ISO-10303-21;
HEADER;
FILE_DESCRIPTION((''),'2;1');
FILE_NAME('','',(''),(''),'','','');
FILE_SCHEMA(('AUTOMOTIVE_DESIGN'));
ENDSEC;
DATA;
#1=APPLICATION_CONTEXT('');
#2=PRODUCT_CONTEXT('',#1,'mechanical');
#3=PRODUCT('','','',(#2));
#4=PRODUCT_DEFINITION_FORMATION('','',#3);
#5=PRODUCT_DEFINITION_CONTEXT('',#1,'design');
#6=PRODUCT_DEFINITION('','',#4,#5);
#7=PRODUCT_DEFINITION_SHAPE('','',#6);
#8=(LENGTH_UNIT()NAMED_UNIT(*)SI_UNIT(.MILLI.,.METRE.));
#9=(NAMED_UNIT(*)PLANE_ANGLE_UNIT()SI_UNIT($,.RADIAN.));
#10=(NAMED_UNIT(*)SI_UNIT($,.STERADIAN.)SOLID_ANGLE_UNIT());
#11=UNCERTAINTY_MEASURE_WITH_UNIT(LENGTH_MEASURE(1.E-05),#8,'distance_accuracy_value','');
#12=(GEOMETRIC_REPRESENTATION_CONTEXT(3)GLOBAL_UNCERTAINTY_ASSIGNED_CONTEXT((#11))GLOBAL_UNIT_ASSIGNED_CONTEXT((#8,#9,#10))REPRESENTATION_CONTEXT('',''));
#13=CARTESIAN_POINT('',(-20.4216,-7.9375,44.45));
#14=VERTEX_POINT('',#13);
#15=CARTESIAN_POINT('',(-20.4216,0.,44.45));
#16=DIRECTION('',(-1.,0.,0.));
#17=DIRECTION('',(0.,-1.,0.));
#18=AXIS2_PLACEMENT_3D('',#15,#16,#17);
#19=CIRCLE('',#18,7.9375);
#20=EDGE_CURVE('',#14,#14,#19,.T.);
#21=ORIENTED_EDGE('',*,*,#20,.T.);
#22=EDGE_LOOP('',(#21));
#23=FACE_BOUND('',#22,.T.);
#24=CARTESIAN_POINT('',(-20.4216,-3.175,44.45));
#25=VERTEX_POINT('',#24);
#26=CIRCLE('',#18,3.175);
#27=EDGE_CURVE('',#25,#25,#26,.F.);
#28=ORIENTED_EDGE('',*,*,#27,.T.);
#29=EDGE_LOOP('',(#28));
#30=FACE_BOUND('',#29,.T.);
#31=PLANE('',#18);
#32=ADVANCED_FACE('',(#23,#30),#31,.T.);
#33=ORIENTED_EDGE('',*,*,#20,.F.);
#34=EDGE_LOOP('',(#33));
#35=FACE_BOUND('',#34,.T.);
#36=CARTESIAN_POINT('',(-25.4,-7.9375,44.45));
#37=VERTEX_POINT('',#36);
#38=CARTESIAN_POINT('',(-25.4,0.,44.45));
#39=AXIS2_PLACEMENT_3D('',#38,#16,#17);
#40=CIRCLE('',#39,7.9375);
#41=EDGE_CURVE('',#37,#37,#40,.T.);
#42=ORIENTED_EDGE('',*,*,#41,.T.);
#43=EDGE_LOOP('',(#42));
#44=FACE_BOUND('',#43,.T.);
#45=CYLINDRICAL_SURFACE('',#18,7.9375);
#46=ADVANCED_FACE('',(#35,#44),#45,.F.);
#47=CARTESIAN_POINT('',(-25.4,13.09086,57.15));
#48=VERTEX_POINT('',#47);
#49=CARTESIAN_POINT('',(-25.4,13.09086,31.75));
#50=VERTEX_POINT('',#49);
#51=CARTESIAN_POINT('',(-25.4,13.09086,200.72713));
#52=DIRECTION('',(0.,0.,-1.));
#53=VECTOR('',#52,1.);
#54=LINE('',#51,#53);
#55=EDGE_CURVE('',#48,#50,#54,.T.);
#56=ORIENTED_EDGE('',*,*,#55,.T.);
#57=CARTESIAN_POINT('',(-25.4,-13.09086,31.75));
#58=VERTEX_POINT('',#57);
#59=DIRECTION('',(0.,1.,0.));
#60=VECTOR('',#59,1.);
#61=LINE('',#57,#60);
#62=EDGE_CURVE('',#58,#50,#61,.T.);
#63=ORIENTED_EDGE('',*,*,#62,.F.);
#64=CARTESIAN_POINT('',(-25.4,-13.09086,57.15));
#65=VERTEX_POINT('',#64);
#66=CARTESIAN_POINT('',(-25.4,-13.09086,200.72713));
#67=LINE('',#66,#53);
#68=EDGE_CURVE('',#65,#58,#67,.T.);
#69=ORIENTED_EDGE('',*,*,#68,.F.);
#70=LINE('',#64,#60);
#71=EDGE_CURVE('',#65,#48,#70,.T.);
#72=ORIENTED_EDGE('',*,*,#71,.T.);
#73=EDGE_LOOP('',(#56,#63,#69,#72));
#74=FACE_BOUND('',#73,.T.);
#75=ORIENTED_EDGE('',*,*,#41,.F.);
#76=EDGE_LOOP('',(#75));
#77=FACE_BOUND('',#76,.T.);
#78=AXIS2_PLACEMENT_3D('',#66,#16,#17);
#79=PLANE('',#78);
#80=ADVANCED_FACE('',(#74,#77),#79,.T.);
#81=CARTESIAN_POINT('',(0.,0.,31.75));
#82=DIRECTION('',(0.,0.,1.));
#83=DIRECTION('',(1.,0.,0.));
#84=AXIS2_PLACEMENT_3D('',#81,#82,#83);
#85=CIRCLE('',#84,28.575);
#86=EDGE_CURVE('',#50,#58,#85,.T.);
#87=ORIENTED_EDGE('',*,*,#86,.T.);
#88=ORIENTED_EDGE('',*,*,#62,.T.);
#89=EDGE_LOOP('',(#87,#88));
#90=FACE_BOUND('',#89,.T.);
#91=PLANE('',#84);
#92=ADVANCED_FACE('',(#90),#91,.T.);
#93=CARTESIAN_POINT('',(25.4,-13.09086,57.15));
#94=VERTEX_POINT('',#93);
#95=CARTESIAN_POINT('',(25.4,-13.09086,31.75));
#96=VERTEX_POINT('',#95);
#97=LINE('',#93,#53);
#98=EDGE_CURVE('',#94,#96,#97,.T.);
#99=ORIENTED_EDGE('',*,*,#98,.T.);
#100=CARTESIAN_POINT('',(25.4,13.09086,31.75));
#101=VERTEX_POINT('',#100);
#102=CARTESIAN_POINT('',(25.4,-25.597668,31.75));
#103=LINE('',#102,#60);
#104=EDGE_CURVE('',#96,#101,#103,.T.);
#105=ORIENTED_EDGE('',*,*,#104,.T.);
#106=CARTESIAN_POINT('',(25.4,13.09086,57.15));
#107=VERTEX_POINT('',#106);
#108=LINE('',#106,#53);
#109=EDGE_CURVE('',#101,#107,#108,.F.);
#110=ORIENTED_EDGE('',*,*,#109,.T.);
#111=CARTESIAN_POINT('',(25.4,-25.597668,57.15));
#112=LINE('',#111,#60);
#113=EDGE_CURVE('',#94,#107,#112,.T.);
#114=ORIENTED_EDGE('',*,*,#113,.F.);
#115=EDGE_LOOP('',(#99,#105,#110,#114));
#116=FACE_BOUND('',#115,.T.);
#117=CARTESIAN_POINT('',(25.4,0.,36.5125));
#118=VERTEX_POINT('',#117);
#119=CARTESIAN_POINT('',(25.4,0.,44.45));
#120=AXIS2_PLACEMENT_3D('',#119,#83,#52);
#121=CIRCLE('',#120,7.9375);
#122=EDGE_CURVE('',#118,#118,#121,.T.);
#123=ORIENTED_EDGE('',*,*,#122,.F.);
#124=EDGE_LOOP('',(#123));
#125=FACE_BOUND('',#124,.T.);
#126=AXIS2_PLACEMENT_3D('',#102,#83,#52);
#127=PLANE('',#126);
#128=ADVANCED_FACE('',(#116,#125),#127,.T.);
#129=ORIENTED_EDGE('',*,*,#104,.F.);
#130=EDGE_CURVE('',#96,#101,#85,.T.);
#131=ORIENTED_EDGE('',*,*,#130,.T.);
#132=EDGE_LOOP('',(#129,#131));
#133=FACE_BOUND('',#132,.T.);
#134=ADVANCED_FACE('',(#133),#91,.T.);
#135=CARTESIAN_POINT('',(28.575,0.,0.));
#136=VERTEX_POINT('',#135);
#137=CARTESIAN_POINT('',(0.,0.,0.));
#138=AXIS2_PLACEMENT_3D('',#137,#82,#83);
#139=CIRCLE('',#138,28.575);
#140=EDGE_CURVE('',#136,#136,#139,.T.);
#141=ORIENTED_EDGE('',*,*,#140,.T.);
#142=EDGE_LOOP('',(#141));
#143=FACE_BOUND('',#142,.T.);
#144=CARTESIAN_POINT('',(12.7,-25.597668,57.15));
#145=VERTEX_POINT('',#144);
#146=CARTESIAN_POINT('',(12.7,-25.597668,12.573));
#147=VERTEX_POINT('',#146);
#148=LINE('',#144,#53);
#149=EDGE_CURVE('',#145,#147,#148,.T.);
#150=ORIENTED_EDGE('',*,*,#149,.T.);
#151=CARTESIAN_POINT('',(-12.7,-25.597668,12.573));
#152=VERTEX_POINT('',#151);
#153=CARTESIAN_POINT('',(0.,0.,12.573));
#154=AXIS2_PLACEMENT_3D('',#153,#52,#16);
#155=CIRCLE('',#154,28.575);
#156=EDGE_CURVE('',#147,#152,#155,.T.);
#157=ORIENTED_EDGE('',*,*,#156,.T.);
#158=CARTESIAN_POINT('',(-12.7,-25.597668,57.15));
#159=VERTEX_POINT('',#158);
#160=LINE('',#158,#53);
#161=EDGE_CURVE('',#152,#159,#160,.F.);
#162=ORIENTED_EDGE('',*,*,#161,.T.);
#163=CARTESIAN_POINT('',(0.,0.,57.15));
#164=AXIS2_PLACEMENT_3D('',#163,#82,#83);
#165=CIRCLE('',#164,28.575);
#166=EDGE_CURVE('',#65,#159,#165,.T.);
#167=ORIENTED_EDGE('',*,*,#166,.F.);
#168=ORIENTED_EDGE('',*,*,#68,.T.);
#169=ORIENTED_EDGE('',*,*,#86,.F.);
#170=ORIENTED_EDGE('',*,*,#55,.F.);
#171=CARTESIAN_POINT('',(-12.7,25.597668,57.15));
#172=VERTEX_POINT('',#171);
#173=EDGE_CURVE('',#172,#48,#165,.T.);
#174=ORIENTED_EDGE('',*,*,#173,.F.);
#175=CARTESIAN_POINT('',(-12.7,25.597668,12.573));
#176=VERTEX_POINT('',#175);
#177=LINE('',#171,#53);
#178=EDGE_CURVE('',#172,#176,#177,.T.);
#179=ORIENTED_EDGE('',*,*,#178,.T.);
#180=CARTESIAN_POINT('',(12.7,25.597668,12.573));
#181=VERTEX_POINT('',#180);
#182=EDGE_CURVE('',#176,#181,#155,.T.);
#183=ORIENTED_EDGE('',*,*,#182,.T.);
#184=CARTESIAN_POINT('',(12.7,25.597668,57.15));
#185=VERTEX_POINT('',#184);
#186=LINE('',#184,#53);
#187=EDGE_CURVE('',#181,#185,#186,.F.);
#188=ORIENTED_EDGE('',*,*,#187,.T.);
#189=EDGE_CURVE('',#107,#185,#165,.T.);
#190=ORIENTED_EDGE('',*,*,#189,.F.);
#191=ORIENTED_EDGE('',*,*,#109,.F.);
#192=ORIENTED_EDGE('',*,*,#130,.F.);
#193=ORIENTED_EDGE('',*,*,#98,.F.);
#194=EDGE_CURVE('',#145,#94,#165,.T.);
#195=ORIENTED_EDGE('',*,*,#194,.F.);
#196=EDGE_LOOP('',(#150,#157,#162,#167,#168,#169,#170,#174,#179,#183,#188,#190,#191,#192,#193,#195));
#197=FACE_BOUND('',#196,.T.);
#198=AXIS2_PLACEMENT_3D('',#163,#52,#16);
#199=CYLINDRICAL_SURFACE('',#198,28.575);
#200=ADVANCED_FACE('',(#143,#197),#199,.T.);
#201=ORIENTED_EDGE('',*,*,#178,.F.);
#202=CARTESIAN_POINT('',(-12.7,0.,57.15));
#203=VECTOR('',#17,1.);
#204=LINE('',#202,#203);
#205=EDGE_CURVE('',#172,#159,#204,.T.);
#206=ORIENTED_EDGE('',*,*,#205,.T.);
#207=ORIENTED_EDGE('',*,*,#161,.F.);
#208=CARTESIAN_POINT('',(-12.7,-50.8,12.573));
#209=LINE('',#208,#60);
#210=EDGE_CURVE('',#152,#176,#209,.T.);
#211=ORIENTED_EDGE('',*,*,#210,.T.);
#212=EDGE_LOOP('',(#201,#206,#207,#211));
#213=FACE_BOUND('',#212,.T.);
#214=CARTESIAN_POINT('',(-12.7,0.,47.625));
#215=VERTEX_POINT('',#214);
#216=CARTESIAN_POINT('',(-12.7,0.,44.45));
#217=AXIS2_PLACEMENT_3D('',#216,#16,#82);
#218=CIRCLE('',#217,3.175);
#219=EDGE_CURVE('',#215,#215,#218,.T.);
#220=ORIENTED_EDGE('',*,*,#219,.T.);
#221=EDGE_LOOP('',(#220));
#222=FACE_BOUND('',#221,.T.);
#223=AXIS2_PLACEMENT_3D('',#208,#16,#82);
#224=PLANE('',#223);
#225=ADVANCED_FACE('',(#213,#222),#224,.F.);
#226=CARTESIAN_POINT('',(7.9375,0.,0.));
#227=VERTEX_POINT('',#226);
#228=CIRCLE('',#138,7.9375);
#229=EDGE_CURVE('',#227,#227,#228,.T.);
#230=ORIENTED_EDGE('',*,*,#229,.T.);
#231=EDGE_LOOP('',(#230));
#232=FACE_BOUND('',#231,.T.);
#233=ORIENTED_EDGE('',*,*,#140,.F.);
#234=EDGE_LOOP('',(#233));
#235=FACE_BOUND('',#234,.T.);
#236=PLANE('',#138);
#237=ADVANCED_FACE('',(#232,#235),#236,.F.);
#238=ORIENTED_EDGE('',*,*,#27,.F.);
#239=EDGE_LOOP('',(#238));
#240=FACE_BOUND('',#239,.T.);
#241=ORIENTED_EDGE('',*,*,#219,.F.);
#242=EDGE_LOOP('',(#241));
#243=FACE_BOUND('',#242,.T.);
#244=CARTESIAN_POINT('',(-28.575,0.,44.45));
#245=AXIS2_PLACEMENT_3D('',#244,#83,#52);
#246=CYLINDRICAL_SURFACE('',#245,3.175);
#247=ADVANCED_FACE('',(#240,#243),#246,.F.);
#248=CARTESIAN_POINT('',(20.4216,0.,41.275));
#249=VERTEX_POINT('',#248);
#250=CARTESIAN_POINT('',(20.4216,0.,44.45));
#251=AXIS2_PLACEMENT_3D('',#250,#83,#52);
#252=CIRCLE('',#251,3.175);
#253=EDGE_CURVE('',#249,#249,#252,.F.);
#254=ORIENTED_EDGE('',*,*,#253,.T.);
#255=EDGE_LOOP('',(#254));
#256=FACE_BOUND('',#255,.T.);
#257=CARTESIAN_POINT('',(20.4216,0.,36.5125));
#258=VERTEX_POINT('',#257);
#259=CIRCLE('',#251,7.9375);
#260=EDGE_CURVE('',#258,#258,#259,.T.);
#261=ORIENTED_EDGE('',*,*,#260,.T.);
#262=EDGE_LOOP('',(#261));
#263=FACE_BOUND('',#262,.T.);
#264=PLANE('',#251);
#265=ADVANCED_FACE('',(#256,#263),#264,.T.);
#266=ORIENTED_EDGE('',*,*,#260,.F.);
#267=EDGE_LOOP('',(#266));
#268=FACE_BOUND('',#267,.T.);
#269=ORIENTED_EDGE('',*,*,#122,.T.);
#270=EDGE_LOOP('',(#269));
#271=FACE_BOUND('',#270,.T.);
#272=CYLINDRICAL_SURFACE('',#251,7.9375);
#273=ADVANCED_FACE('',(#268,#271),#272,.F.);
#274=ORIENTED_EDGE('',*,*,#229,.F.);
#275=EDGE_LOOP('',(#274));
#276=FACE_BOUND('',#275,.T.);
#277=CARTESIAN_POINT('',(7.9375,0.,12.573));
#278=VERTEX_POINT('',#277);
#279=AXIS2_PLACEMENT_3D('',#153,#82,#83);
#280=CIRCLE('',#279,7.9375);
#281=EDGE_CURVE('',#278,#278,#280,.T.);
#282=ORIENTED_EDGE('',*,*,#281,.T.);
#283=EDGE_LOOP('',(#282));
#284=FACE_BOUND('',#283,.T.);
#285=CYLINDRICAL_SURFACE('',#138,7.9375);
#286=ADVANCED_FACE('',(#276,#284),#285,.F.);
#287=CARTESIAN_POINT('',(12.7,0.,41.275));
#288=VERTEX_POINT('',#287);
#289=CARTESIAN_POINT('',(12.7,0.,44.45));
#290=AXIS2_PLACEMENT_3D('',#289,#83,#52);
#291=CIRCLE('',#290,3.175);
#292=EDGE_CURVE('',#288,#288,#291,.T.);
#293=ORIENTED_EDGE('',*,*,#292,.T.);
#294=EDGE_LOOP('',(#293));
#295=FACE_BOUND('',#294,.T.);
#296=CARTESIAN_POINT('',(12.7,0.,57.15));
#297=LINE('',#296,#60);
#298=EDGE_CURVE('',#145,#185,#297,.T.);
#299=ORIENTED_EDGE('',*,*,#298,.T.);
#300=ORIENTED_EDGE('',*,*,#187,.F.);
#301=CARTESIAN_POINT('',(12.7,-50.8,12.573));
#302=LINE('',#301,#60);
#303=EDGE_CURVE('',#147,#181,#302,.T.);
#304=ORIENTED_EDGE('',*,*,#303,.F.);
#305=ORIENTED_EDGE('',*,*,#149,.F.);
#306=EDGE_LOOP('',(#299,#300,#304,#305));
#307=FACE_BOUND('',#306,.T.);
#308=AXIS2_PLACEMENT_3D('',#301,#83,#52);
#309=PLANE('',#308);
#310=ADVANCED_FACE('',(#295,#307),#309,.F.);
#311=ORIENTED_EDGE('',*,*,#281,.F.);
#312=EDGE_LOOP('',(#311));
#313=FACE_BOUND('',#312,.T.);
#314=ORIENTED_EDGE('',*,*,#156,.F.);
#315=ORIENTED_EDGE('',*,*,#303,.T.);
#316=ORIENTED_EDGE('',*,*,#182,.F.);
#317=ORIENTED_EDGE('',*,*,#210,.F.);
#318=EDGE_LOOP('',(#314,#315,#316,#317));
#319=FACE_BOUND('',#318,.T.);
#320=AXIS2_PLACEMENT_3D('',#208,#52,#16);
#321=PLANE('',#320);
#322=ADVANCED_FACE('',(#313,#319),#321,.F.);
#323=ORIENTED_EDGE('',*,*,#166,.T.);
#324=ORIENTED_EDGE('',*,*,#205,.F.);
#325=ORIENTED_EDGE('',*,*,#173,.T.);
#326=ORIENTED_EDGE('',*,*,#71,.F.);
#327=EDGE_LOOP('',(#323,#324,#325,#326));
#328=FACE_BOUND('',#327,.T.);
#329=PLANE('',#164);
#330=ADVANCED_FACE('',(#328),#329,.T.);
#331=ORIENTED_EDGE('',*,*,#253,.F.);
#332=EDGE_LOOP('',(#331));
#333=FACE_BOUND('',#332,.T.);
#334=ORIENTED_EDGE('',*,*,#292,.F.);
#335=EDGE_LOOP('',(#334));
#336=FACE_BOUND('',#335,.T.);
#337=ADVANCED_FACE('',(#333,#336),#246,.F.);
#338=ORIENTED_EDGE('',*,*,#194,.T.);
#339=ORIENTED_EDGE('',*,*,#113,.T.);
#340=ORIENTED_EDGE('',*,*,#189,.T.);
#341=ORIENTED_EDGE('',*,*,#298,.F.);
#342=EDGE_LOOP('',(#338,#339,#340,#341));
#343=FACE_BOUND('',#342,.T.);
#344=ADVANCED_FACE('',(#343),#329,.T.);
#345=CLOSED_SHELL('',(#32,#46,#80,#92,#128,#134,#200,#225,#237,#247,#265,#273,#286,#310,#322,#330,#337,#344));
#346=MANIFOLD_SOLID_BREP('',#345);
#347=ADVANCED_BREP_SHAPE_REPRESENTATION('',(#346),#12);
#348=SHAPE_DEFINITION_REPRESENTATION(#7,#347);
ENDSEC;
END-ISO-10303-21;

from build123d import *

# Parameters (mm, degrees)
SKETCH1_R                = 28.575
OD_DON_T_CARE_DEPTH      = 57.15
SKETCH3_W                = 25.4
SKETCH3_H                = 44.577
SLOT_DEPTH               = 50.8
SKETCH4_R                = 7.9375
F_5_8_THROUGH_HOLE_DEPTH = 61.167850045
SKETCH5_OUTSIDE_W        = 78.948
SKETCH5_OUTSIDE_H        = 78.948
SKETCH5_OUTSIDE_W_2      = 53.975
SKETCH5_OUTSIDE_H_2      = 51.195336702
FLAT_SURFACE_DEPTH       = 25.4
SKETCH2_R                = 3.175
F_1_4_THROUGH_HOLE_DEPTH = 84.641818189
SKETCH6_R                = 7.9375
CUT_EXTRUDE1_DEPTH       = 4.9784
CUT_EXTRUDE2_DEPTH       = 70.994169563
CUT_EXTRUDE2_DEPTH_BACK  = 25.4
CUT_EXTRUDE3_START       = -4.9784
SKETCH8_R                = 7.9375
CUT_EXTRUDE3_DEPTH       = 4.9784


with BuildPart() as part:
    # Sketch1 → OD Don't Care (new body)
    with BuildSketch(Plane.XY):
        Circle(SKETCH1_R)
    extrude(amount=OD_DON_T_CARE_DEPTH)

    # Sketch3 → Slot (cut, symmetric)
    with BuildSketch(Plane(origin=(0, 0, 0), x_dir=(1, 0, 0), z_dir=(0, 1, 0))):
        with Locations((0, -34.8615)):
            Rectangle(SKETCH3_W, SKETCH3_H)
    extrude(amount=SLOT_DEPTH, both=True, mode=Mode.SUBTRACT)

    # Sketch4 → 5/8" Through Hole (cut, through all)
    with BuildSketch(Plane.XY.offset(12.573)):
        Circle(SKETCH4_R)
    extrude(amount=-F_5_8_THROUGH_HOLE_DEPTH, mode=Mode.SUBTRACT)

    # Sketch5 outside → Flat Surface (cut)
    with BuildSketch(Plane.XY.offset(57.15)):
        Rectangle(SKETCH5_OUTSIDE_W, SKETCH5_OUTSIDE_H)
        with Locations((-1.5875, 0)):
            Rectangle(SKETCH5_OUTSIDE_W_2, SKETCH5_OUTSIDE_H_2, mode=Mode.SUBTRACT)
    extrude(amount=-FLAT_SURFACE_DEPTH, mode=Mode.SUBTRACT)

    # Sketch2 → 1/4" Through Hole (cut, through all)
    with BuildSketch(Plane(origin=(25.4, 0, 0), x_dir=(0, 0, -1), z_dir=(1, 0, 0))):
        with Locations((-44.45, 0)):
            Circle(SKETCH2_R)
    extrude(amount=-F_1_4_THROUGH_HOLE_DEPTH, mode=Mode.SUBTRACT)

    # Sketch6 → Cut-Extrude1 (cut)
    with BuildSketch(Plane(origin=(25.4, 0, 0), x_dir=(0, 0, -1), z_dir=(1, 0, 0))):
        with Locations((-44.45, 0)):
            Circle(SKETCH6_R)
    extrude(amount=-CUT_EXTRUDE1_DEPTH, mode=Mode.SUBTRACT)

    # Sketch7 → Cut-Extrude2 (cut, two sides: drawn at the far end of the back side and taken through both)
    with BuildSketch(Plane.XY.offset(57.15).offset(-CUT_EXTRUDE2_DEPTH_BACK)):
        Polygon((-25.4, -159.463065209), (-25.4, -13.090860361), (-25.4, 13.090860361), (-25.4, 159.463065209), (-318.144409696, 159.463065209), (-318.144409696, -159.463065209), align=None)
    extrude(amount=CUT_EXTRUDE2_DEPTH + CUT_EXTRUDE2_DEPTH_BACK, mode=Mode.SUBTRACT)

    # Sketch8 → Cut-Extrude3 (cut)
    with BuildSketch(Plane.ZY.offset(25.4).offset(CUT_EXTRUDE3_START)):
        with Locations(Location((44.45, 0, 0), (0, 0, 180))):
            Circle(SKETCH8_R)
    extrude(amount=CUT_EXTRUDE3_DEPTH, mode=Mode.SUBTRACT)


solid = part.part
